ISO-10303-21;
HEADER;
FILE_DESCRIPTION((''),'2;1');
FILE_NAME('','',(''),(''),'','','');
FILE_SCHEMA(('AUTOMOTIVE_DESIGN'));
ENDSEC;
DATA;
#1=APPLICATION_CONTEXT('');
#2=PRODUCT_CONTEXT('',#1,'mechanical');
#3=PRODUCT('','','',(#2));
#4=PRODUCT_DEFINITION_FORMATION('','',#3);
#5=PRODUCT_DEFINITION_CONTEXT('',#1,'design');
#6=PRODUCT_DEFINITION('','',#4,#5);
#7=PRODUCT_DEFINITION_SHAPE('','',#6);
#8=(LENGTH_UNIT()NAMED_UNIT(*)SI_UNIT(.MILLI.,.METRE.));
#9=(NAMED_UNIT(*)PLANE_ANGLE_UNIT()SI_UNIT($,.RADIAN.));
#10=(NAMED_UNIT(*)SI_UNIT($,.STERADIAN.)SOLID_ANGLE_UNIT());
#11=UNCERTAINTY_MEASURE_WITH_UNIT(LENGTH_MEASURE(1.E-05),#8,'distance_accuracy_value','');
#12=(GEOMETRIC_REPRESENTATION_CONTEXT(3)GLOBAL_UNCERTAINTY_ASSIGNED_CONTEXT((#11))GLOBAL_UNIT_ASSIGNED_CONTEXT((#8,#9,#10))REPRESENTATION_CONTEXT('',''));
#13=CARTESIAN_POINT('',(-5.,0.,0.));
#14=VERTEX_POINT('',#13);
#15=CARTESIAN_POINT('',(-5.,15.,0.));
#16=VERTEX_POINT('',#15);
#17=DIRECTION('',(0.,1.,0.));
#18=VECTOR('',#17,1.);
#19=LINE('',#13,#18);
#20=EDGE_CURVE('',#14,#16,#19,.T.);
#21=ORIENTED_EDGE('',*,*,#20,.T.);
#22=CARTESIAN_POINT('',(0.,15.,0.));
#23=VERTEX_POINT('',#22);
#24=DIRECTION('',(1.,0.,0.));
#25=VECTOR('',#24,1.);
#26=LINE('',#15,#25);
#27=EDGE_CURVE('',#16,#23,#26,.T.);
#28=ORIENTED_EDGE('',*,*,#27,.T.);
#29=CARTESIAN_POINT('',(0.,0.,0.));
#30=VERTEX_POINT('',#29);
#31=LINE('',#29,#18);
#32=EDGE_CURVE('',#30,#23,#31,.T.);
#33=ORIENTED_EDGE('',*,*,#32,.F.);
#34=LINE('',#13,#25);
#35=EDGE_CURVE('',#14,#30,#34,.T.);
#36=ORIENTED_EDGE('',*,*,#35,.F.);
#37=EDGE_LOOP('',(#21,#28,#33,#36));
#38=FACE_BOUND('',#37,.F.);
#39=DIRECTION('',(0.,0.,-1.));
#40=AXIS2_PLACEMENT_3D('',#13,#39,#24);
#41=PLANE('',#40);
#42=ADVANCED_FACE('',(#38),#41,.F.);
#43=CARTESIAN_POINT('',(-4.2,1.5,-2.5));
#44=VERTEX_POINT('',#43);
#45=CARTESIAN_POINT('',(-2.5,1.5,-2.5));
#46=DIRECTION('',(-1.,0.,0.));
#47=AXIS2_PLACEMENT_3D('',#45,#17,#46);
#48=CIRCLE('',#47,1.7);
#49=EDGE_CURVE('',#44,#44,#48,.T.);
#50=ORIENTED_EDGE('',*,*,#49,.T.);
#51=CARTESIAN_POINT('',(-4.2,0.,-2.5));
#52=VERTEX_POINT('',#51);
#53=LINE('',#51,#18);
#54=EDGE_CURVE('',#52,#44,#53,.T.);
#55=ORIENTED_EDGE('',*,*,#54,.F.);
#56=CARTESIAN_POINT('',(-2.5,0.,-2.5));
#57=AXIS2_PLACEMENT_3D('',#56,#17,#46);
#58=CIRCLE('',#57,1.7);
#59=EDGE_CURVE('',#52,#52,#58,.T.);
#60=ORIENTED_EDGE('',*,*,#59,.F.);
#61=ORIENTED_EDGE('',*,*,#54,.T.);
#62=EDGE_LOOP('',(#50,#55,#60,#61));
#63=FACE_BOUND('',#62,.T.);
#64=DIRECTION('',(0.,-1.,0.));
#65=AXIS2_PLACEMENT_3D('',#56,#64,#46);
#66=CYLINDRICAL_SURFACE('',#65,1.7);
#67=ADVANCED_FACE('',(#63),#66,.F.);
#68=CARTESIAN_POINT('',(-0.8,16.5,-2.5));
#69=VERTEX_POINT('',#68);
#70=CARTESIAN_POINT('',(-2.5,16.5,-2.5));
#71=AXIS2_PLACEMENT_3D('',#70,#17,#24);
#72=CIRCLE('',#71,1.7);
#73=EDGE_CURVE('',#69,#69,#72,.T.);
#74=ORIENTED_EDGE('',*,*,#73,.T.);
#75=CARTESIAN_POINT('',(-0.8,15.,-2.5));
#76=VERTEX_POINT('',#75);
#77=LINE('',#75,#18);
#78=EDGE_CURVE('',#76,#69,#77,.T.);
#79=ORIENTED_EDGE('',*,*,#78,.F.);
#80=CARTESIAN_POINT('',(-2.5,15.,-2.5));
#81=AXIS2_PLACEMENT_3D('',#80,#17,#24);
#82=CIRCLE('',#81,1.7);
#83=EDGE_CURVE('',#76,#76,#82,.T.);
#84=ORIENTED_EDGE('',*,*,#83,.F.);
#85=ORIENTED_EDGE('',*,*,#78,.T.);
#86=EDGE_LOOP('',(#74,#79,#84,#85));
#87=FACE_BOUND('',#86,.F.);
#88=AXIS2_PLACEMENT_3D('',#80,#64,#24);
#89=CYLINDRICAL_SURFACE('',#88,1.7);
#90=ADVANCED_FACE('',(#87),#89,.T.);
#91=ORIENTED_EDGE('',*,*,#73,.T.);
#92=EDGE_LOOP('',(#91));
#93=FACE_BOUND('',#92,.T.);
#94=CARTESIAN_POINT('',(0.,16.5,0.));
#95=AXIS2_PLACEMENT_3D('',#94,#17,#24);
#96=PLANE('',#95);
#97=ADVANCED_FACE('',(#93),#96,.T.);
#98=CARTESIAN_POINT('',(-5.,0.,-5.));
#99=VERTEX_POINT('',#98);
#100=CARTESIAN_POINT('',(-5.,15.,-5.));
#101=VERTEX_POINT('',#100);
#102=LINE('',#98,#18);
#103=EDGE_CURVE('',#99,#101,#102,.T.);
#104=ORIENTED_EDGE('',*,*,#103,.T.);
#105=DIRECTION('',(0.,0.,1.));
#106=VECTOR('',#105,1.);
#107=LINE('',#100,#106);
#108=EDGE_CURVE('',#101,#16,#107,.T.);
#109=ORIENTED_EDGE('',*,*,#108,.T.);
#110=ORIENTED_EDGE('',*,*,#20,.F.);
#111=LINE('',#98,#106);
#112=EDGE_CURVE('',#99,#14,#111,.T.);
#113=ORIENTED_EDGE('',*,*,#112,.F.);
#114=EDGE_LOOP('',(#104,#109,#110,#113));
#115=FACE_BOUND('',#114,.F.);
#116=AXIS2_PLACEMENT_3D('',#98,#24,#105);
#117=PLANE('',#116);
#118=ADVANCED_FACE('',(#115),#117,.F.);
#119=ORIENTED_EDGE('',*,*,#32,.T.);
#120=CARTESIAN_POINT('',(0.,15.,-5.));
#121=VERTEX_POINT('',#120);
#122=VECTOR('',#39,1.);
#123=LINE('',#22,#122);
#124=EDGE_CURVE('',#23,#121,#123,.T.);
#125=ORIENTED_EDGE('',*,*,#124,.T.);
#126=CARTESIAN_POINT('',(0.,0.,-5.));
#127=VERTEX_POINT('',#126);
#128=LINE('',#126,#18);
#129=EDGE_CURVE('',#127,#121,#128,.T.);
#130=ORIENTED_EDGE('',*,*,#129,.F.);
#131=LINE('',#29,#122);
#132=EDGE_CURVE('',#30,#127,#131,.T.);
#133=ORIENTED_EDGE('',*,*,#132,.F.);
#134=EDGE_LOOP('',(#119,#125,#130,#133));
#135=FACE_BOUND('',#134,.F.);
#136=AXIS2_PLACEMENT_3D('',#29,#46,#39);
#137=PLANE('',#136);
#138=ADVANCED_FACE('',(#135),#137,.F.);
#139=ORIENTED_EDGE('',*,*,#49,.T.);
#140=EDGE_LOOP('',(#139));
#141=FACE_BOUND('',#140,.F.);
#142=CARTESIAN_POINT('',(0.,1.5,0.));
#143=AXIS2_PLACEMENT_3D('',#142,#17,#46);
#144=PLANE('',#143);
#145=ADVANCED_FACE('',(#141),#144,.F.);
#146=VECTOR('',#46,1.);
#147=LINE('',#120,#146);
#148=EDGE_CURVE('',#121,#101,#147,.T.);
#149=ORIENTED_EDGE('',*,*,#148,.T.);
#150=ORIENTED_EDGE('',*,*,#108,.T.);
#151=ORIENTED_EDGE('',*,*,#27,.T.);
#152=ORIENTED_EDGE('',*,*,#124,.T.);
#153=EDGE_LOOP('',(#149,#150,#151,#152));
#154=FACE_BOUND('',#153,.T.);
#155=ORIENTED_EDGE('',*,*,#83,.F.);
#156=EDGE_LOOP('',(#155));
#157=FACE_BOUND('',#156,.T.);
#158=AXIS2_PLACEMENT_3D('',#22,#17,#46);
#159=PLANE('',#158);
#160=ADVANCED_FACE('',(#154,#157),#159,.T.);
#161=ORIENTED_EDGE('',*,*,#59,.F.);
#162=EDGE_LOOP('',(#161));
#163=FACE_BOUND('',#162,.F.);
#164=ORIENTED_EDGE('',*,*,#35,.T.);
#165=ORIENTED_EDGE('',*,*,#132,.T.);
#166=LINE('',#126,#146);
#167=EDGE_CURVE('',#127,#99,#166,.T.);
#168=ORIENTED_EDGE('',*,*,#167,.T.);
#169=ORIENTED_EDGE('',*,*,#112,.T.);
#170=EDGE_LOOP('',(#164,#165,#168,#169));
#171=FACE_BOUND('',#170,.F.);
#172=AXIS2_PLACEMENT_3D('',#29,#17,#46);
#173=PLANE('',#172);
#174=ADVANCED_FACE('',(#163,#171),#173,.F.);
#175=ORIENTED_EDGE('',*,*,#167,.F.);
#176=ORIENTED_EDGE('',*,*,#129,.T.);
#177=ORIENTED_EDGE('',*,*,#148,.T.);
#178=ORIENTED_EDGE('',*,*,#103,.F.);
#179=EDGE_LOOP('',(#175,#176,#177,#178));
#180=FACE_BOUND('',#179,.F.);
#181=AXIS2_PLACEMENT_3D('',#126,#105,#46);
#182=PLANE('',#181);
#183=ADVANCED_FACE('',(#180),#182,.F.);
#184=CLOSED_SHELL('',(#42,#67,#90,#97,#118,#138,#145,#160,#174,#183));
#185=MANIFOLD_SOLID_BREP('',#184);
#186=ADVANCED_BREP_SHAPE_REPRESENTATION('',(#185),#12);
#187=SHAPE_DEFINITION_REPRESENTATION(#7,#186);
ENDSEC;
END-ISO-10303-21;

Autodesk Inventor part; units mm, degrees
ref_plane "YZ Plane" through (0, 0, 0) normal (1, 0, 0) x (0, 1, 0)
ref_plane "XZ Plane" through (0, 0, 0) normal (0, 1, 0) x (-1, 0, 0)
ref_plane "XY Plane" through (0, 0, 0) normal (0, 0, 1) x (1, 0, 0)
sketch "草圖1" plane through (0, 0, 0) normal (0, 1, 0) x (-1, 0, 0)
  line L0 (5, 0) -> (0, 0)
  line L1 (0, 0) -> (0, -5)
  line L2 (0, -5) -> (5, -5)
  line L3 (5, -5) -> (5, 0)
  circle A0 centre (2.5, -2.5) radius 1.7
  point P0 (2.5, -5)
  point P1 (5, -2.5)
  dimension "d0" = 5
  dimension "d1" = 5
  dimension "d2" = 3.4
extrude "擠出1" add sketch "草圖1" along normal blind 15 contours L3 L2 L1 L0 | A0
extrude "擠出2" cut sketch "草圖1" along normal blind 1.5 contours A0
sketch "草圖2" plane through (0, 15, 0) normal (0, 1, 0) x (1, 0, 0)
  circle A0 centre (-2.5, 2.5) radius 1.7 projected
  point P0 (0, 0)
extrude "擠出3" add sketch "草圖2" along normal blind 1.5
sketch "草圖3" plane through (0, 0, 0) normal (1, 0, 0) x (0, 1, 0)
  line L0 (8.7779, 7.7621) -> (6.2221, 7.7621)
  line L1 (6.2221, 7.7621) -> (6.2221, -14.483)
  line L2 (6.2221, -14.483) -> (8.7779, -14.483)
  line L3 (8.7779, -14.483) -> (8.7779, 7.7621)
  line L4 (0, -5) -> (15, -5) projected
  point P0 (0, 0)
  point P1 (7.5, -14.483)
  point P2 (7.5, -5)
split_face "分割1"
properties part number "110033226_ipt_24_直條(3x1)"
